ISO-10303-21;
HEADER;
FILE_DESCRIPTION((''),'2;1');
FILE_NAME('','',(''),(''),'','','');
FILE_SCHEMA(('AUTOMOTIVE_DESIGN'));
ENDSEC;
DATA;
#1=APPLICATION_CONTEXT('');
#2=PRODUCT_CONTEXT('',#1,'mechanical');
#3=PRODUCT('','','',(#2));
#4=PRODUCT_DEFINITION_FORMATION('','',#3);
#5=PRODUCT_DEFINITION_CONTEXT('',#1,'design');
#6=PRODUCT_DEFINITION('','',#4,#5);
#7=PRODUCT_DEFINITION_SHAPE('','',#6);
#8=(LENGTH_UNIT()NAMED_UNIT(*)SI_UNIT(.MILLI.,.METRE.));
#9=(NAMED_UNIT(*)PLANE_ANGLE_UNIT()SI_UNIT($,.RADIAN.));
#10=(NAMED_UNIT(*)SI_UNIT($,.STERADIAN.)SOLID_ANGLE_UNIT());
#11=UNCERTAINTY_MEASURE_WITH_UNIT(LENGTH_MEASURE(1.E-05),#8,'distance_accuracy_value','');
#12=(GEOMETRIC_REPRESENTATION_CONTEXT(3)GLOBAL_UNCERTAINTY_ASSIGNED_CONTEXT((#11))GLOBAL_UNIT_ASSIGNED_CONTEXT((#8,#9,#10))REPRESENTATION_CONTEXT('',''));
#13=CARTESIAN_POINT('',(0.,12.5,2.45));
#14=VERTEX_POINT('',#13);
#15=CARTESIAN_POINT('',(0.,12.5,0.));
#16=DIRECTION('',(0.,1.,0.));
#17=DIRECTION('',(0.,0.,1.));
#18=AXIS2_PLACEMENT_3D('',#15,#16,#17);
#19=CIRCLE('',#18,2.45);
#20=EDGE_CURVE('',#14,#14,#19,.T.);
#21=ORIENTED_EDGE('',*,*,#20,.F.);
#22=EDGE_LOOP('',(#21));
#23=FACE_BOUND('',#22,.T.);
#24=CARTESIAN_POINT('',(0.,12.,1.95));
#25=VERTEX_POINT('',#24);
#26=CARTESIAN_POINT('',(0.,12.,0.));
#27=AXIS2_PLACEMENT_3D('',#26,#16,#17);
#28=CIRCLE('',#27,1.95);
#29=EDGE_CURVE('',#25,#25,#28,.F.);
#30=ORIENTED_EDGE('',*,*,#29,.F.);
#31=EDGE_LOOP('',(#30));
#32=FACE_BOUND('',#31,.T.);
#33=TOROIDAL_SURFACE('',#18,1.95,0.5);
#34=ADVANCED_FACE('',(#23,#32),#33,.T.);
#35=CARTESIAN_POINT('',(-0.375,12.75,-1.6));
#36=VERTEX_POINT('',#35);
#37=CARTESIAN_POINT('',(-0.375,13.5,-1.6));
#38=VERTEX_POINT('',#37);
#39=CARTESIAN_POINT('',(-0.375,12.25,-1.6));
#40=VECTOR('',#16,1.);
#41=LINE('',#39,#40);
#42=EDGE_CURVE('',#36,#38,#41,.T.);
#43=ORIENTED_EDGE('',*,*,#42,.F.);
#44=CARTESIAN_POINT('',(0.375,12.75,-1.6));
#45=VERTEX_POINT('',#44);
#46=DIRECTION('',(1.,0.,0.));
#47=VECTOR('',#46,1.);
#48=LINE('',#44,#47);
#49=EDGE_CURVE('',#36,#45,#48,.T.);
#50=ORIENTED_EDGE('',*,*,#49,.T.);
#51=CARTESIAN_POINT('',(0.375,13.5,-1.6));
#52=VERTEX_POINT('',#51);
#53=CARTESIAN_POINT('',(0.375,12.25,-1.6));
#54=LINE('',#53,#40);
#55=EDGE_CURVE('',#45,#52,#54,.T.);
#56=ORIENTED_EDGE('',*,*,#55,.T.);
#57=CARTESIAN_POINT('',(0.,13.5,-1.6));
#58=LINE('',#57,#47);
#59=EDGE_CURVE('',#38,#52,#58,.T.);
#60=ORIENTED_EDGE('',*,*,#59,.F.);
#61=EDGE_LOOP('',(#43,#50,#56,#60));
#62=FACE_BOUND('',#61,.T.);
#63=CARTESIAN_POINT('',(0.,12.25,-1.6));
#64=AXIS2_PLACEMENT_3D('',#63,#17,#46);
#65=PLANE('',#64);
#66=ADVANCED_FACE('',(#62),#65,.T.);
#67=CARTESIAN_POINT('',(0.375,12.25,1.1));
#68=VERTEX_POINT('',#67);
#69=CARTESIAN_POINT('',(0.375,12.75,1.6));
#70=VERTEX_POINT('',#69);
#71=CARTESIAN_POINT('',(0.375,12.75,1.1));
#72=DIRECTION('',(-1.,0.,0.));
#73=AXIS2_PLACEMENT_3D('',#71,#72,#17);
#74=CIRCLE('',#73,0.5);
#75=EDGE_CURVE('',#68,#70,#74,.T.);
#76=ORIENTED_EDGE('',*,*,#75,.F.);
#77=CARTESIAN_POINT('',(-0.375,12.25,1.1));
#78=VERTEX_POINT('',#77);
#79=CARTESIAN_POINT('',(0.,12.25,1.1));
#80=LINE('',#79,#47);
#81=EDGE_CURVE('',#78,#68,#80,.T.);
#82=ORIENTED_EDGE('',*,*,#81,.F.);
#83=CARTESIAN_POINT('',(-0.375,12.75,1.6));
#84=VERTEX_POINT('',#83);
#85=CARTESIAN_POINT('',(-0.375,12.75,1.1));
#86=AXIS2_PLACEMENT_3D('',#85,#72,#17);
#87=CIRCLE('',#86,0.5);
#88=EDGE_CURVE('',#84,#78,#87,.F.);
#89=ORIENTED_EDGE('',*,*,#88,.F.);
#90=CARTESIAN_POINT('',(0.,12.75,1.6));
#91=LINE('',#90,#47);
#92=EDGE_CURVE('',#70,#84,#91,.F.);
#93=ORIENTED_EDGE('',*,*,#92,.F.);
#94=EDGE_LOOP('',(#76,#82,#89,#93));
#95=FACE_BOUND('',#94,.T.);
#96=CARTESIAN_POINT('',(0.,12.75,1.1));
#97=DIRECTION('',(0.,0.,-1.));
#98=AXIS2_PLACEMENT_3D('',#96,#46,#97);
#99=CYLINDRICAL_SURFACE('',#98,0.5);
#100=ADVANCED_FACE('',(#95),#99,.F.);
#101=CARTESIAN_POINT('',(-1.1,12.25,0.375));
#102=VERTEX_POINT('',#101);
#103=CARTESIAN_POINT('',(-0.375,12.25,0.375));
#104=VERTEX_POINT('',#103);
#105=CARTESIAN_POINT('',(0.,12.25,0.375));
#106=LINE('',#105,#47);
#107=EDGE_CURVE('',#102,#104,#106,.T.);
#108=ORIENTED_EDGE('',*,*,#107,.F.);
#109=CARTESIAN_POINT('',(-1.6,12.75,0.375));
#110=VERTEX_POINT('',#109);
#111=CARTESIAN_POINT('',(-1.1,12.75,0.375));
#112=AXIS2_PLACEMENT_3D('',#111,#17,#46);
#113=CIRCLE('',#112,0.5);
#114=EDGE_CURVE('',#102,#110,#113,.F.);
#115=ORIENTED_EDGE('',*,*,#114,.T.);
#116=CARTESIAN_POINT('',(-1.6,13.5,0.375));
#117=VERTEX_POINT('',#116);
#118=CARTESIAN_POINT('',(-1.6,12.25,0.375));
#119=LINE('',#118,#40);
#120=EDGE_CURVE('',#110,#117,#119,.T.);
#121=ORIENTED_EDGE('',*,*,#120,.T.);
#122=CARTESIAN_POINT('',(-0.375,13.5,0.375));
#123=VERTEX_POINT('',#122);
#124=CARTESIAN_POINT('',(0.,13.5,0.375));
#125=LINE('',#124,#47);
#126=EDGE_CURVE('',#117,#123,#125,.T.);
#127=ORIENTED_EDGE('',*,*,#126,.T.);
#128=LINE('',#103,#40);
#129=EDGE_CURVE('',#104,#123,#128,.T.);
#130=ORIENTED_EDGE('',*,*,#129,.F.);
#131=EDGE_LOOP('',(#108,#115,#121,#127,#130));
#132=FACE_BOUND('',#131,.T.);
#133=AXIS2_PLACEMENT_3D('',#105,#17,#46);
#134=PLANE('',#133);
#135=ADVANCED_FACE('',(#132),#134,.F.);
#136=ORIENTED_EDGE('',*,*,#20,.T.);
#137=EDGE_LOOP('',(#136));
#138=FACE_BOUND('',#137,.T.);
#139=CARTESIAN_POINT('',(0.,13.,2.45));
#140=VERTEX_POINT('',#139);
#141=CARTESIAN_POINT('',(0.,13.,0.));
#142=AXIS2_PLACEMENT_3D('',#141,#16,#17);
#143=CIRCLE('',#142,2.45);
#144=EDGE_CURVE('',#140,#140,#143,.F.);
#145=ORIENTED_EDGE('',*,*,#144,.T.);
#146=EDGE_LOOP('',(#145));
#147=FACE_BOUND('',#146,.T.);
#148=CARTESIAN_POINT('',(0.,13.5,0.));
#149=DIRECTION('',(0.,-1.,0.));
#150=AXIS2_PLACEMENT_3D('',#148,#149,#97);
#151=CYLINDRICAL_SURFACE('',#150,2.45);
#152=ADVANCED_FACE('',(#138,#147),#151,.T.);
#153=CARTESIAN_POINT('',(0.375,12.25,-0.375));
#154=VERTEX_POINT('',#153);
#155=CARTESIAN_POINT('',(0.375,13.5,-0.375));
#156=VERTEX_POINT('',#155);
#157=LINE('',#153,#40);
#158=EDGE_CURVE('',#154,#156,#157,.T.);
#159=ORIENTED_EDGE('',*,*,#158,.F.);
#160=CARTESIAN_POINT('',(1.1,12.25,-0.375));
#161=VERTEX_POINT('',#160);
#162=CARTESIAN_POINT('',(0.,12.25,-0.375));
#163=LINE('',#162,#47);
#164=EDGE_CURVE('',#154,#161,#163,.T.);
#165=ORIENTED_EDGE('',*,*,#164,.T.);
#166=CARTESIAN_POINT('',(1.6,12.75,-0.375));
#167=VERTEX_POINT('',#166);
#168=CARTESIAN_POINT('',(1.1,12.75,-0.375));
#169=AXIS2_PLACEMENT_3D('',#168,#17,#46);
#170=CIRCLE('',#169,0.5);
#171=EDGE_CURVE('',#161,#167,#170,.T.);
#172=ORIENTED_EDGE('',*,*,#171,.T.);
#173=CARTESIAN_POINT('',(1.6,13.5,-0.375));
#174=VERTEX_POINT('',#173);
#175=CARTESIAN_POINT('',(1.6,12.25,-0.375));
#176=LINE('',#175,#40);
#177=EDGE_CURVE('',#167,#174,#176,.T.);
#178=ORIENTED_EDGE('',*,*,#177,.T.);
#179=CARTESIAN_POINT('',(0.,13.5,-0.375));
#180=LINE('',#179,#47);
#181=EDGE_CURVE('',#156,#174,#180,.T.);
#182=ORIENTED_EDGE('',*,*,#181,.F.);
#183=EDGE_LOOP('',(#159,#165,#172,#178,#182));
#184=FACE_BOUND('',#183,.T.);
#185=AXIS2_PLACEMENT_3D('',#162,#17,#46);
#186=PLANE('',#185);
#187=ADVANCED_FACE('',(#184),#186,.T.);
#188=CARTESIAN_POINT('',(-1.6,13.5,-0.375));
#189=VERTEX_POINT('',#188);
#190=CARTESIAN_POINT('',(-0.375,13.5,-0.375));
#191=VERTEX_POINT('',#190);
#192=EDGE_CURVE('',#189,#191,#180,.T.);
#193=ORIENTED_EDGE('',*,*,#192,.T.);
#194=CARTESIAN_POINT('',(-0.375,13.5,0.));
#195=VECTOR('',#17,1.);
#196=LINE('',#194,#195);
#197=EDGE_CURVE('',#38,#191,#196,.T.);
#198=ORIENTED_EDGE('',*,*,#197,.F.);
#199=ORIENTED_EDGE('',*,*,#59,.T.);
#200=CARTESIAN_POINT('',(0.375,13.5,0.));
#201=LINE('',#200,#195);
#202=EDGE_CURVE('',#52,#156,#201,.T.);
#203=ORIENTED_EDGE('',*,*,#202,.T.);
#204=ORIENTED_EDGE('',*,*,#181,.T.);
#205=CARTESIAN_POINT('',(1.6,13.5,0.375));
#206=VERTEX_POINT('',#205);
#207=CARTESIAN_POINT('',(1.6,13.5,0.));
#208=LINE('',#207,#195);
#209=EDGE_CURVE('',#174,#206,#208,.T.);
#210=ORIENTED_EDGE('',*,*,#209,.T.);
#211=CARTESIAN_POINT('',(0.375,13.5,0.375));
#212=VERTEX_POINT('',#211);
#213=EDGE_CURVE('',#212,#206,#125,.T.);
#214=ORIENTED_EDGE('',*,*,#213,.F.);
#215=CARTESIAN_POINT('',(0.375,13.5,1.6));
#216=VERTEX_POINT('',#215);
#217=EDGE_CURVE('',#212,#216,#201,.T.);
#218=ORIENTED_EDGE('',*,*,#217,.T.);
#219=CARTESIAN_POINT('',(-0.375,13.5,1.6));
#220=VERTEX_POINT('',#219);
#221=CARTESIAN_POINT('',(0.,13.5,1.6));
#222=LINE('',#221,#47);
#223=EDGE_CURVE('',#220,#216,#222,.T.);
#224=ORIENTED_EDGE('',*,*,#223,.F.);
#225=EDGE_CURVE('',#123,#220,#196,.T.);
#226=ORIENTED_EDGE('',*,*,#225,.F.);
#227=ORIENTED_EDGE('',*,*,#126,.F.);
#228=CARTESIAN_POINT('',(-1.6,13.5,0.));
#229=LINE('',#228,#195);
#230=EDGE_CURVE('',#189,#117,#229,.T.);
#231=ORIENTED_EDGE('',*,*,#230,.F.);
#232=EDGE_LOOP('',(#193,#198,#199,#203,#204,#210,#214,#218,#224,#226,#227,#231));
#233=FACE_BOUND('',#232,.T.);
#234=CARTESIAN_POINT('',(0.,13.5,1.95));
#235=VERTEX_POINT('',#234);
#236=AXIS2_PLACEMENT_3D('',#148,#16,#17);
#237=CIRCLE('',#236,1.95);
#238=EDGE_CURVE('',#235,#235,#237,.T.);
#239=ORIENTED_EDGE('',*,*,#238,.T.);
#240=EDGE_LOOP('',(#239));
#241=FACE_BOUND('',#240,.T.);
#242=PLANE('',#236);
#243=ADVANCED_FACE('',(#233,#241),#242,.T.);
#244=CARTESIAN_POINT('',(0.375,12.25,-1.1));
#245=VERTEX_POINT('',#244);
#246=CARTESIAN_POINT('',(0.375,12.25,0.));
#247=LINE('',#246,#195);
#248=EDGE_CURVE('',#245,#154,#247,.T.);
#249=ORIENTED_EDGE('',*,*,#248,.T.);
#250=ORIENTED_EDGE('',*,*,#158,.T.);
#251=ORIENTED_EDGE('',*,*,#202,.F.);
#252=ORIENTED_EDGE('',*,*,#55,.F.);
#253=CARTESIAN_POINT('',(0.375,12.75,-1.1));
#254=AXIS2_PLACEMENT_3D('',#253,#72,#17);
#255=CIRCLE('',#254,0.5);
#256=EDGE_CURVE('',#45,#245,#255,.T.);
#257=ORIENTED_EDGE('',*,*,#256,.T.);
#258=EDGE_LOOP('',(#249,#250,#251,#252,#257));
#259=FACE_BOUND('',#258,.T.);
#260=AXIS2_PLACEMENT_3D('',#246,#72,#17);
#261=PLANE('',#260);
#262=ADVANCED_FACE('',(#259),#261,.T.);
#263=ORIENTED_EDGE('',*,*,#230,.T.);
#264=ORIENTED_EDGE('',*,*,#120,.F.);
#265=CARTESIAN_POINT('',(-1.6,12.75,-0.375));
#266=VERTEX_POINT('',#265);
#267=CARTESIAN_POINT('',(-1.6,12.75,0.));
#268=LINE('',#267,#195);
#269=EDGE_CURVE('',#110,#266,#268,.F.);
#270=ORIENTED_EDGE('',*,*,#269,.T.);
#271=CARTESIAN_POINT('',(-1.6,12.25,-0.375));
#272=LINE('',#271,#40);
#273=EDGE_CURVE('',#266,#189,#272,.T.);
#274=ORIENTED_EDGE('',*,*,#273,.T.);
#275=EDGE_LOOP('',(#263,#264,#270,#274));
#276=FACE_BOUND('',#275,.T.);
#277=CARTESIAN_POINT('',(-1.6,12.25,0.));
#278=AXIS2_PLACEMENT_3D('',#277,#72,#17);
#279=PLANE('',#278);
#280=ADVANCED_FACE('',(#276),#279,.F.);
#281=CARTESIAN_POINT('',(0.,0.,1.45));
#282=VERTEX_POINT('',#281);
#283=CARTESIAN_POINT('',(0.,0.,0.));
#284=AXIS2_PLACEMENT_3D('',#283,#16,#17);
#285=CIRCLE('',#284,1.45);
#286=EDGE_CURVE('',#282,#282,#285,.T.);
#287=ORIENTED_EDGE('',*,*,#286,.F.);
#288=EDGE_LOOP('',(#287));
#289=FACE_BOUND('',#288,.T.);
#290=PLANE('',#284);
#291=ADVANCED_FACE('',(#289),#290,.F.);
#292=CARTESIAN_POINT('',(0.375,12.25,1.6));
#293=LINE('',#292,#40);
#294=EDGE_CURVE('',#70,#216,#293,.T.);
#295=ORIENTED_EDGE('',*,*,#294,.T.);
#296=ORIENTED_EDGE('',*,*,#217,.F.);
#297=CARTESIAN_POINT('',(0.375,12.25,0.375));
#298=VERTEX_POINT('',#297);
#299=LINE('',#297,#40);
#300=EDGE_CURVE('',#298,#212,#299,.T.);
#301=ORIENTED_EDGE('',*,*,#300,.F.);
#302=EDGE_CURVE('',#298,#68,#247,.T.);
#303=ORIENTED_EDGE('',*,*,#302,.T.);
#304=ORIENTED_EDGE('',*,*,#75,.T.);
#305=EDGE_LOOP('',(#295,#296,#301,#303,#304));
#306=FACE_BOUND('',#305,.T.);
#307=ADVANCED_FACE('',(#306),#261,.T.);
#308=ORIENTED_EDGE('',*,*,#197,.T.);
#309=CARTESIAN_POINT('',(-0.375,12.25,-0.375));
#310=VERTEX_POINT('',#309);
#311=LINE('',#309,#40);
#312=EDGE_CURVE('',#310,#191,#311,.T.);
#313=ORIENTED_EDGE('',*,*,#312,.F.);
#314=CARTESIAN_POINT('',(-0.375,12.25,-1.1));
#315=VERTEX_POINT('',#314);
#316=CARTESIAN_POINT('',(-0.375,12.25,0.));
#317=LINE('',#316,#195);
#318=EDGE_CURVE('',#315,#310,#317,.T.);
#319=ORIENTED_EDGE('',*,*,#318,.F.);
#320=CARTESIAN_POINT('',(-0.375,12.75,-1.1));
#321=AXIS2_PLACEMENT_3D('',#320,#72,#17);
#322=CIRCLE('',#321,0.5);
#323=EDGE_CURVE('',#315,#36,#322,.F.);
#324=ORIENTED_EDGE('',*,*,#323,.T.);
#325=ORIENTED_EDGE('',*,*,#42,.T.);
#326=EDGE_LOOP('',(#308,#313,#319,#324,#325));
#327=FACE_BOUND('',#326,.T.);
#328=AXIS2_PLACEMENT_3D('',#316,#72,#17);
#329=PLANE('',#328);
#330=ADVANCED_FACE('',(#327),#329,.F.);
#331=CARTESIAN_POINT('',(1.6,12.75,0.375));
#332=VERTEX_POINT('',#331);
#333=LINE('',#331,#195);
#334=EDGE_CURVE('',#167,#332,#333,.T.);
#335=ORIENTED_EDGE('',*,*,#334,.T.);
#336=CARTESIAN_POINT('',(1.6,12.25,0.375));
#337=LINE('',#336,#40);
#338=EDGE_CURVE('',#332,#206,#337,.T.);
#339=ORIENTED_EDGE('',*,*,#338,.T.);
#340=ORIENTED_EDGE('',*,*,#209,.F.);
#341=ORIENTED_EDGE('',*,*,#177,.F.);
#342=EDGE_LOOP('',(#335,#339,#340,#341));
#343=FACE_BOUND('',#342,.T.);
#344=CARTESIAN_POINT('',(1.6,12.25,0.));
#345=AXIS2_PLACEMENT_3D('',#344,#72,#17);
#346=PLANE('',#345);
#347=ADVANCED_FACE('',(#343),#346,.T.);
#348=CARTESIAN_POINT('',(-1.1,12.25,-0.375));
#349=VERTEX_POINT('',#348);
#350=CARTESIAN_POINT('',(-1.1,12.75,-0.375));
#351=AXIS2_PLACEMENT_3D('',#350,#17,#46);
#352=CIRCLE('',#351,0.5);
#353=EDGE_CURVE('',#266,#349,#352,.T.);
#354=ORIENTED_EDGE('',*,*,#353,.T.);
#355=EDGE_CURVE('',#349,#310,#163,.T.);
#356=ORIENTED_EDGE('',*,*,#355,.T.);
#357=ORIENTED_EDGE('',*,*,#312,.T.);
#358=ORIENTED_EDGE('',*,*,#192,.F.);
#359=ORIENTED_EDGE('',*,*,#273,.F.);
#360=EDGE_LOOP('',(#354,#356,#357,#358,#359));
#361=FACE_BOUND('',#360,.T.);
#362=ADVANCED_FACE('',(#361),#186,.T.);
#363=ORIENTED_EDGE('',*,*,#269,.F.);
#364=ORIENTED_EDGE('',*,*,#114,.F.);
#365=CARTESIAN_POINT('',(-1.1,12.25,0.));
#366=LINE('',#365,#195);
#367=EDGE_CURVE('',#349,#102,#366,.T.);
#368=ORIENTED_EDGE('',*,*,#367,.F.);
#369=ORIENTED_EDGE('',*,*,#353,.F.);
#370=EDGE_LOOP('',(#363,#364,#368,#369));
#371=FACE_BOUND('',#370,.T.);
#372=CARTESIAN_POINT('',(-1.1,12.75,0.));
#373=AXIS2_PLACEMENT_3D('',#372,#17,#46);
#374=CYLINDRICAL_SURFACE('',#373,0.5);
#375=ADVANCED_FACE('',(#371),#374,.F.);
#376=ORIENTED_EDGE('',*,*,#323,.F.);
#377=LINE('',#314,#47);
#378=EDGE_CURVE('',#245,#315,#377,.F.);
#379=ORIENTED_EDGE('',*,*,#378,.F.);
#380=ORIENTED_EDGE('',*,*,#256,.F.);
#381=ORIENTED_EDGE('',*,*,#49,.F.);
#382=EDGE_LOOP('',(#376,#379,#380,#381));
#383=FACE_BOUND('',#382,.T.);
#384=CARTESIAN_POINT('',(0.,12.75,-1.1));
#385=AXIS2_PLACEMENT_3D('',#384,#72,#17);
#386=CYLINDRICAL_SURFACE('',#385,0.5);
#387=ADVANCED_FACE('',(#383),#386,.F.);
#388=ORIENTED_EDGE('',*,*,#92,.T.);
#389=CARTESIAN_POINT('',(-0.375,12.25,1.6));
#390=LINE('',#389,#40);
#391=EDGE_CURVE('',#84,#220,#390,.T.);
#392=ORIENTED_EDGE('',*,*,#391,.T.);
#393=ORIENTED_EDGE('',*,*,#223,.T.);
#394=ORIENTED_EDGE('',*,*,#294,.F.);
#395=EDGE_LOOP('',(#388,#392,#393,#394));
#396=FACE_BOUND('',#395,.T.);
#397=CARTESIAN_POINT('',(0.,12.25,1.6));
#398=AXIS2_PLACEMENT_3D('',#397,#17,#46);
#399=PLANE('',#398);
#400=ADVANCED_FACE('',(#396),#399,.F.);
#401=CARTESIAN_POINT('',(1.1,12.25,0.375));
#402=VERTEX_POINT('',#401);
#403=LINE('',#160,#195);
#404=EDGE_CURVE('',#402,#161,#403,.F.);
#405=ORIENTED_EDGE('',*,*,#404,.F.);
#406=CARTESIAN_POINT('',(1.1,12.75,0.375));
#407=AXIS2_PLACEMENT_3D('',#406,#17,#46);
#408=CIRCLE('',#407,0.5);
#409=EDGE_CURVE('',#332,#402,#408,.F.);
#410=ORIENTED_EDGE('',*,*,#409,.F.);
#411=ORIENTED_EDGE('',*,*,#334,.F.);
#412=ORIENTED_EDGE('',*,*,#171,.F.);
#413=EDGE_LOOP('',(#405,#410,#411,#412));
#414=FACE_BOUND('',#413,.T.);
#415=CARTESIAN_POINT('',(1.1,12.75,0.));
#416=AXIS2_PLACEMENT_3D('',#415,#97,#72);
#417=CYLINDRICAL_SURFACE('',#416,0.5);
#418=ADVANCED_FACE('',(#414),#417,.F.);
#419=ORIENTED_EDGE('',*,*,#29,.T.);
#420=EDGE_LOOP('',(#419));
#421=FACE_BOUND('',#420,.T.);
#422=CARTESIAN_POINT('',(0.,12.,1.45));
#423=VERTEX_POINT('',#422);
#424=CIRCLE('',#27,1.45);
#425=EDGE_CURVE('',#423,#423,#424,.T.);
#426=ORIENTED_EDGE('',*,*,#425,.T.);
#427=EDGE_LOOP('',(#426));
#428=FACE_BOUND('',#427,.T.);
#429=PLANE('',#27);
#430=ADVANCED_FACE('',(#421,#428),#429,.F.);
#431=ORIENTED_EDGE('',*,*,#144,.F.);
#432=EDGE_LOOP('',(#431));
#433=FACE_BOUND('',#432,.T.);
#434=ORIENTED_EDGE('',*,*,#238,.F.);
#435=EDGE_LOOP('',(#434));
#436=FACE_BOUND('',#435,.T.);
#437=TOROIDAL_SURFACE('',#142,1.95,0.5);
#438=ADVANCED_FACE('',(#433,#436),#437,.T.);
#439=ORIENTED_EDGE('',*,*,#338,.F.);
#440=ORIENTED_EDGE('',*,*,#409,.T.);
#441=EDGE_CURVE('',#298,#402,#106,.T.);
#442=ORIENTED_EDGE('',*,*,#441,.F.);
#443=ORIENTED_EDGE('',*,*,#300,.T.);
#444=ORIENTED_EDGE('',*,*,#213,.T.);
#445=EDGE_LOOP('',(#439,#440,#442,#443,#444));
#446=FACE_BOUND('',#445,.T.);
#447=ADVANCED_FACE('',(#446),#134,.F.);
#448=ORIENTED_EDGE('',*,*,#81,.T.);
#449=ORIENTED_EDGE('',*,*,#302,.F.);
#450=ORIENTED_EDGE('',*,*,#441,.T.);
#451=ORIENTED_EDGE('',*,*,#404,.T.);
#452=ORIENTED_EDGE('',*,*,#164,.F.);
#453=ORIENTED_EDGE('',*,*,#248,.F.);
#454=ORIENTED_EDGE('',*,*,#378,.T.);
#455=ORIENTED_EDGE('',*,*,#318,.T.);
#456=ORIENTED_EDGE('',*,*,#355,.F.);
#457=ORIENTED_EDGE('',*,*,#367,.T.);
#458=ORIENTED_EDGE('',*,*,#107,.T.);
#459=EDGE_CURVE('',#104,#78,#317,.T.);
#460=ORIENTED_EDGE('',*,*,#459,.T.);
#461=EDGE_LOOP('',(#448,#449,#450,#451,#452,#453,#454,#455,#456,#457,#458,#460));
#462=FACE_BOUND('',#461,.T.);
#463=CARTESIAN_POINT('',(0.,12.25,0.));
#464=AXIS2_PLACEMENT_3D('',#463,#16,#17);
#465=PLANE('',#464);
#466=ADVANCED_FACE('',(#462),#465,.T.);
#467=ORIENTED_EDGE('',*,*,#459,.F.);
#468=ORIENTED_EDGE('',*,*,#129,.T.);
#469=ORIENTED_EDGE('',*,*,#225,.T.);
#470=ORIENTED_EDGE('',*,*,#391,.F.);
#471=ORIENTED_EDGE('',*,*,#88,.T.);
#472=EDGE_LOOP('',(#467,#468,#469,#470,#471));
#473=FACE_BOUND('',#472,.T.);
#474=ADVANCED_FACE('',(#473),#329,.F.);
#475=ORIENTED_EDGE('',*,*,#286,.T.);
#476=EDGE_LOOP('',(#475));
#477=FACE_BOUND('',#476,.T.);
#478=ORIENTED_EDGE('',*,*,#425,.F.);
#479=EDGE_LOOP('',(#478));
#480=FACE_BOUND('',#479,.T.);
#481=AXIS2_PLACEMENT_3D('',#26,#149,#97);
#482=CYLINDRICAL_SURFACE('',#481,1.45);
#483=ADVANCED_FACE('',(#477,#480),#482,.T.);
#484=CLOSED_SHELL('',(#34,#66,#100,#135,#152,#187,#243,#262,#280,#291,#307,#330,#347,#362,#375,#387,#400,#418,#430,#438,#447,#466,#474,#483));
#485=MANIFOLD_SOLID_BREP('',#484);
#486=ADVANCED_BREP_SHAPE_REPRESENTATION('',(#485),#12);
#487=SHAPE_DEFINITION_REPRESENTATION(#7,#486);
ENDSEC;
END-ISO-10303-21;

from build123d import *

# Parameters (mm, degrees)
SKETCH1_R           = 1.45
BOSS_EXTRUDE1_DEPTH = 12
SKETCH2_R           = 2.45
BOSS_EXTRUDE2_DEPTH = 1.5
FILLET1_R           = 0.5
SKETCH3_W           = 0.75
SKETCH3_H           = 1.225
SKETCH3_H_2         = 0.75
SKETCH3_W_2         = 1.225
CUT_EXTRUDE1_DEPTH  = 1.25
FILLET4_R           = 0.5


with BuildPart() as part:
    # Sketch1 → Boss-Extrude1 (new body)
    with BuildSketch(Plane(origin=(0, 0, 0), x_dir=(1, 0, 0), z_dir=(0, 1, 0))):
        with Locations(Location((0, 0, 0), (0, 0, 270))):
            Circle(SKETCH1_R)
    extrude(amount=BOSS_EXTRUDE1_DEPTH)

    # Sketch2 → Boss-Extrude2 (add)
    with BuildSketch(Plane(origin=(0, 12, 0), x_dir=(1, 0, 0), z_dir=(0, 1, 0))):
        with Locations(Location((0, 0, 0), (0, 0, 270))):
            Circle(SKETCH2_R)
    extrude(amount=BOSS_EXTRUDE2_DEPTH)

    # Fillet1
    fillet1_edges = [part.edges().sort_by_distance(p)[0] for p in [
        (0, 12, -2.45),
        (0, 13.5, -2.45),
    ]]
    fillet(fillet1_edges, radius=FILLET1_R)

    # Sketch3 → Cut-Extrude1 (cut)
    with BuildSketch(Plane(origin=(0, 13.5, 0), x_dir=(1, 0, 0), z_dir=(0, 1, 0))):
        with Locations((0, 0.9875)):
            Rectangle(SKETCH3_W, SKETCH3_H)
        Rectangle(SKETCH3_W, SKETCH3_H_2)
        with Locations((0, -0.9875)):
            Rectangle(SKETCH3_W, SKETCH3_H)
        with Locations((0.9875, 0)):
            Rectangle(SKETCH3_W_2, SKETCH3_H_2)
        with Locations((-0.9875, 0)):
            Rectangle(SKETCH3_W_2, SKETCH3_H_2)
    extrude(amount=-CUT_EXTRUDE1_DEPTH, mode=Mode.SUBTRACT)

    # Fillet4
    fillet4_edges = [part.edges().sort_by_distance(p)[0] for p in [
        (0, 12.25, 1.6),
        (-1.6, 12.25, 0),
        (0, 12.25, -1.6),
        (1.6, 12.25, 0),
    ]]
    fillet(fillet4_edges, radius=FILLET4_R)


solid = part.part
